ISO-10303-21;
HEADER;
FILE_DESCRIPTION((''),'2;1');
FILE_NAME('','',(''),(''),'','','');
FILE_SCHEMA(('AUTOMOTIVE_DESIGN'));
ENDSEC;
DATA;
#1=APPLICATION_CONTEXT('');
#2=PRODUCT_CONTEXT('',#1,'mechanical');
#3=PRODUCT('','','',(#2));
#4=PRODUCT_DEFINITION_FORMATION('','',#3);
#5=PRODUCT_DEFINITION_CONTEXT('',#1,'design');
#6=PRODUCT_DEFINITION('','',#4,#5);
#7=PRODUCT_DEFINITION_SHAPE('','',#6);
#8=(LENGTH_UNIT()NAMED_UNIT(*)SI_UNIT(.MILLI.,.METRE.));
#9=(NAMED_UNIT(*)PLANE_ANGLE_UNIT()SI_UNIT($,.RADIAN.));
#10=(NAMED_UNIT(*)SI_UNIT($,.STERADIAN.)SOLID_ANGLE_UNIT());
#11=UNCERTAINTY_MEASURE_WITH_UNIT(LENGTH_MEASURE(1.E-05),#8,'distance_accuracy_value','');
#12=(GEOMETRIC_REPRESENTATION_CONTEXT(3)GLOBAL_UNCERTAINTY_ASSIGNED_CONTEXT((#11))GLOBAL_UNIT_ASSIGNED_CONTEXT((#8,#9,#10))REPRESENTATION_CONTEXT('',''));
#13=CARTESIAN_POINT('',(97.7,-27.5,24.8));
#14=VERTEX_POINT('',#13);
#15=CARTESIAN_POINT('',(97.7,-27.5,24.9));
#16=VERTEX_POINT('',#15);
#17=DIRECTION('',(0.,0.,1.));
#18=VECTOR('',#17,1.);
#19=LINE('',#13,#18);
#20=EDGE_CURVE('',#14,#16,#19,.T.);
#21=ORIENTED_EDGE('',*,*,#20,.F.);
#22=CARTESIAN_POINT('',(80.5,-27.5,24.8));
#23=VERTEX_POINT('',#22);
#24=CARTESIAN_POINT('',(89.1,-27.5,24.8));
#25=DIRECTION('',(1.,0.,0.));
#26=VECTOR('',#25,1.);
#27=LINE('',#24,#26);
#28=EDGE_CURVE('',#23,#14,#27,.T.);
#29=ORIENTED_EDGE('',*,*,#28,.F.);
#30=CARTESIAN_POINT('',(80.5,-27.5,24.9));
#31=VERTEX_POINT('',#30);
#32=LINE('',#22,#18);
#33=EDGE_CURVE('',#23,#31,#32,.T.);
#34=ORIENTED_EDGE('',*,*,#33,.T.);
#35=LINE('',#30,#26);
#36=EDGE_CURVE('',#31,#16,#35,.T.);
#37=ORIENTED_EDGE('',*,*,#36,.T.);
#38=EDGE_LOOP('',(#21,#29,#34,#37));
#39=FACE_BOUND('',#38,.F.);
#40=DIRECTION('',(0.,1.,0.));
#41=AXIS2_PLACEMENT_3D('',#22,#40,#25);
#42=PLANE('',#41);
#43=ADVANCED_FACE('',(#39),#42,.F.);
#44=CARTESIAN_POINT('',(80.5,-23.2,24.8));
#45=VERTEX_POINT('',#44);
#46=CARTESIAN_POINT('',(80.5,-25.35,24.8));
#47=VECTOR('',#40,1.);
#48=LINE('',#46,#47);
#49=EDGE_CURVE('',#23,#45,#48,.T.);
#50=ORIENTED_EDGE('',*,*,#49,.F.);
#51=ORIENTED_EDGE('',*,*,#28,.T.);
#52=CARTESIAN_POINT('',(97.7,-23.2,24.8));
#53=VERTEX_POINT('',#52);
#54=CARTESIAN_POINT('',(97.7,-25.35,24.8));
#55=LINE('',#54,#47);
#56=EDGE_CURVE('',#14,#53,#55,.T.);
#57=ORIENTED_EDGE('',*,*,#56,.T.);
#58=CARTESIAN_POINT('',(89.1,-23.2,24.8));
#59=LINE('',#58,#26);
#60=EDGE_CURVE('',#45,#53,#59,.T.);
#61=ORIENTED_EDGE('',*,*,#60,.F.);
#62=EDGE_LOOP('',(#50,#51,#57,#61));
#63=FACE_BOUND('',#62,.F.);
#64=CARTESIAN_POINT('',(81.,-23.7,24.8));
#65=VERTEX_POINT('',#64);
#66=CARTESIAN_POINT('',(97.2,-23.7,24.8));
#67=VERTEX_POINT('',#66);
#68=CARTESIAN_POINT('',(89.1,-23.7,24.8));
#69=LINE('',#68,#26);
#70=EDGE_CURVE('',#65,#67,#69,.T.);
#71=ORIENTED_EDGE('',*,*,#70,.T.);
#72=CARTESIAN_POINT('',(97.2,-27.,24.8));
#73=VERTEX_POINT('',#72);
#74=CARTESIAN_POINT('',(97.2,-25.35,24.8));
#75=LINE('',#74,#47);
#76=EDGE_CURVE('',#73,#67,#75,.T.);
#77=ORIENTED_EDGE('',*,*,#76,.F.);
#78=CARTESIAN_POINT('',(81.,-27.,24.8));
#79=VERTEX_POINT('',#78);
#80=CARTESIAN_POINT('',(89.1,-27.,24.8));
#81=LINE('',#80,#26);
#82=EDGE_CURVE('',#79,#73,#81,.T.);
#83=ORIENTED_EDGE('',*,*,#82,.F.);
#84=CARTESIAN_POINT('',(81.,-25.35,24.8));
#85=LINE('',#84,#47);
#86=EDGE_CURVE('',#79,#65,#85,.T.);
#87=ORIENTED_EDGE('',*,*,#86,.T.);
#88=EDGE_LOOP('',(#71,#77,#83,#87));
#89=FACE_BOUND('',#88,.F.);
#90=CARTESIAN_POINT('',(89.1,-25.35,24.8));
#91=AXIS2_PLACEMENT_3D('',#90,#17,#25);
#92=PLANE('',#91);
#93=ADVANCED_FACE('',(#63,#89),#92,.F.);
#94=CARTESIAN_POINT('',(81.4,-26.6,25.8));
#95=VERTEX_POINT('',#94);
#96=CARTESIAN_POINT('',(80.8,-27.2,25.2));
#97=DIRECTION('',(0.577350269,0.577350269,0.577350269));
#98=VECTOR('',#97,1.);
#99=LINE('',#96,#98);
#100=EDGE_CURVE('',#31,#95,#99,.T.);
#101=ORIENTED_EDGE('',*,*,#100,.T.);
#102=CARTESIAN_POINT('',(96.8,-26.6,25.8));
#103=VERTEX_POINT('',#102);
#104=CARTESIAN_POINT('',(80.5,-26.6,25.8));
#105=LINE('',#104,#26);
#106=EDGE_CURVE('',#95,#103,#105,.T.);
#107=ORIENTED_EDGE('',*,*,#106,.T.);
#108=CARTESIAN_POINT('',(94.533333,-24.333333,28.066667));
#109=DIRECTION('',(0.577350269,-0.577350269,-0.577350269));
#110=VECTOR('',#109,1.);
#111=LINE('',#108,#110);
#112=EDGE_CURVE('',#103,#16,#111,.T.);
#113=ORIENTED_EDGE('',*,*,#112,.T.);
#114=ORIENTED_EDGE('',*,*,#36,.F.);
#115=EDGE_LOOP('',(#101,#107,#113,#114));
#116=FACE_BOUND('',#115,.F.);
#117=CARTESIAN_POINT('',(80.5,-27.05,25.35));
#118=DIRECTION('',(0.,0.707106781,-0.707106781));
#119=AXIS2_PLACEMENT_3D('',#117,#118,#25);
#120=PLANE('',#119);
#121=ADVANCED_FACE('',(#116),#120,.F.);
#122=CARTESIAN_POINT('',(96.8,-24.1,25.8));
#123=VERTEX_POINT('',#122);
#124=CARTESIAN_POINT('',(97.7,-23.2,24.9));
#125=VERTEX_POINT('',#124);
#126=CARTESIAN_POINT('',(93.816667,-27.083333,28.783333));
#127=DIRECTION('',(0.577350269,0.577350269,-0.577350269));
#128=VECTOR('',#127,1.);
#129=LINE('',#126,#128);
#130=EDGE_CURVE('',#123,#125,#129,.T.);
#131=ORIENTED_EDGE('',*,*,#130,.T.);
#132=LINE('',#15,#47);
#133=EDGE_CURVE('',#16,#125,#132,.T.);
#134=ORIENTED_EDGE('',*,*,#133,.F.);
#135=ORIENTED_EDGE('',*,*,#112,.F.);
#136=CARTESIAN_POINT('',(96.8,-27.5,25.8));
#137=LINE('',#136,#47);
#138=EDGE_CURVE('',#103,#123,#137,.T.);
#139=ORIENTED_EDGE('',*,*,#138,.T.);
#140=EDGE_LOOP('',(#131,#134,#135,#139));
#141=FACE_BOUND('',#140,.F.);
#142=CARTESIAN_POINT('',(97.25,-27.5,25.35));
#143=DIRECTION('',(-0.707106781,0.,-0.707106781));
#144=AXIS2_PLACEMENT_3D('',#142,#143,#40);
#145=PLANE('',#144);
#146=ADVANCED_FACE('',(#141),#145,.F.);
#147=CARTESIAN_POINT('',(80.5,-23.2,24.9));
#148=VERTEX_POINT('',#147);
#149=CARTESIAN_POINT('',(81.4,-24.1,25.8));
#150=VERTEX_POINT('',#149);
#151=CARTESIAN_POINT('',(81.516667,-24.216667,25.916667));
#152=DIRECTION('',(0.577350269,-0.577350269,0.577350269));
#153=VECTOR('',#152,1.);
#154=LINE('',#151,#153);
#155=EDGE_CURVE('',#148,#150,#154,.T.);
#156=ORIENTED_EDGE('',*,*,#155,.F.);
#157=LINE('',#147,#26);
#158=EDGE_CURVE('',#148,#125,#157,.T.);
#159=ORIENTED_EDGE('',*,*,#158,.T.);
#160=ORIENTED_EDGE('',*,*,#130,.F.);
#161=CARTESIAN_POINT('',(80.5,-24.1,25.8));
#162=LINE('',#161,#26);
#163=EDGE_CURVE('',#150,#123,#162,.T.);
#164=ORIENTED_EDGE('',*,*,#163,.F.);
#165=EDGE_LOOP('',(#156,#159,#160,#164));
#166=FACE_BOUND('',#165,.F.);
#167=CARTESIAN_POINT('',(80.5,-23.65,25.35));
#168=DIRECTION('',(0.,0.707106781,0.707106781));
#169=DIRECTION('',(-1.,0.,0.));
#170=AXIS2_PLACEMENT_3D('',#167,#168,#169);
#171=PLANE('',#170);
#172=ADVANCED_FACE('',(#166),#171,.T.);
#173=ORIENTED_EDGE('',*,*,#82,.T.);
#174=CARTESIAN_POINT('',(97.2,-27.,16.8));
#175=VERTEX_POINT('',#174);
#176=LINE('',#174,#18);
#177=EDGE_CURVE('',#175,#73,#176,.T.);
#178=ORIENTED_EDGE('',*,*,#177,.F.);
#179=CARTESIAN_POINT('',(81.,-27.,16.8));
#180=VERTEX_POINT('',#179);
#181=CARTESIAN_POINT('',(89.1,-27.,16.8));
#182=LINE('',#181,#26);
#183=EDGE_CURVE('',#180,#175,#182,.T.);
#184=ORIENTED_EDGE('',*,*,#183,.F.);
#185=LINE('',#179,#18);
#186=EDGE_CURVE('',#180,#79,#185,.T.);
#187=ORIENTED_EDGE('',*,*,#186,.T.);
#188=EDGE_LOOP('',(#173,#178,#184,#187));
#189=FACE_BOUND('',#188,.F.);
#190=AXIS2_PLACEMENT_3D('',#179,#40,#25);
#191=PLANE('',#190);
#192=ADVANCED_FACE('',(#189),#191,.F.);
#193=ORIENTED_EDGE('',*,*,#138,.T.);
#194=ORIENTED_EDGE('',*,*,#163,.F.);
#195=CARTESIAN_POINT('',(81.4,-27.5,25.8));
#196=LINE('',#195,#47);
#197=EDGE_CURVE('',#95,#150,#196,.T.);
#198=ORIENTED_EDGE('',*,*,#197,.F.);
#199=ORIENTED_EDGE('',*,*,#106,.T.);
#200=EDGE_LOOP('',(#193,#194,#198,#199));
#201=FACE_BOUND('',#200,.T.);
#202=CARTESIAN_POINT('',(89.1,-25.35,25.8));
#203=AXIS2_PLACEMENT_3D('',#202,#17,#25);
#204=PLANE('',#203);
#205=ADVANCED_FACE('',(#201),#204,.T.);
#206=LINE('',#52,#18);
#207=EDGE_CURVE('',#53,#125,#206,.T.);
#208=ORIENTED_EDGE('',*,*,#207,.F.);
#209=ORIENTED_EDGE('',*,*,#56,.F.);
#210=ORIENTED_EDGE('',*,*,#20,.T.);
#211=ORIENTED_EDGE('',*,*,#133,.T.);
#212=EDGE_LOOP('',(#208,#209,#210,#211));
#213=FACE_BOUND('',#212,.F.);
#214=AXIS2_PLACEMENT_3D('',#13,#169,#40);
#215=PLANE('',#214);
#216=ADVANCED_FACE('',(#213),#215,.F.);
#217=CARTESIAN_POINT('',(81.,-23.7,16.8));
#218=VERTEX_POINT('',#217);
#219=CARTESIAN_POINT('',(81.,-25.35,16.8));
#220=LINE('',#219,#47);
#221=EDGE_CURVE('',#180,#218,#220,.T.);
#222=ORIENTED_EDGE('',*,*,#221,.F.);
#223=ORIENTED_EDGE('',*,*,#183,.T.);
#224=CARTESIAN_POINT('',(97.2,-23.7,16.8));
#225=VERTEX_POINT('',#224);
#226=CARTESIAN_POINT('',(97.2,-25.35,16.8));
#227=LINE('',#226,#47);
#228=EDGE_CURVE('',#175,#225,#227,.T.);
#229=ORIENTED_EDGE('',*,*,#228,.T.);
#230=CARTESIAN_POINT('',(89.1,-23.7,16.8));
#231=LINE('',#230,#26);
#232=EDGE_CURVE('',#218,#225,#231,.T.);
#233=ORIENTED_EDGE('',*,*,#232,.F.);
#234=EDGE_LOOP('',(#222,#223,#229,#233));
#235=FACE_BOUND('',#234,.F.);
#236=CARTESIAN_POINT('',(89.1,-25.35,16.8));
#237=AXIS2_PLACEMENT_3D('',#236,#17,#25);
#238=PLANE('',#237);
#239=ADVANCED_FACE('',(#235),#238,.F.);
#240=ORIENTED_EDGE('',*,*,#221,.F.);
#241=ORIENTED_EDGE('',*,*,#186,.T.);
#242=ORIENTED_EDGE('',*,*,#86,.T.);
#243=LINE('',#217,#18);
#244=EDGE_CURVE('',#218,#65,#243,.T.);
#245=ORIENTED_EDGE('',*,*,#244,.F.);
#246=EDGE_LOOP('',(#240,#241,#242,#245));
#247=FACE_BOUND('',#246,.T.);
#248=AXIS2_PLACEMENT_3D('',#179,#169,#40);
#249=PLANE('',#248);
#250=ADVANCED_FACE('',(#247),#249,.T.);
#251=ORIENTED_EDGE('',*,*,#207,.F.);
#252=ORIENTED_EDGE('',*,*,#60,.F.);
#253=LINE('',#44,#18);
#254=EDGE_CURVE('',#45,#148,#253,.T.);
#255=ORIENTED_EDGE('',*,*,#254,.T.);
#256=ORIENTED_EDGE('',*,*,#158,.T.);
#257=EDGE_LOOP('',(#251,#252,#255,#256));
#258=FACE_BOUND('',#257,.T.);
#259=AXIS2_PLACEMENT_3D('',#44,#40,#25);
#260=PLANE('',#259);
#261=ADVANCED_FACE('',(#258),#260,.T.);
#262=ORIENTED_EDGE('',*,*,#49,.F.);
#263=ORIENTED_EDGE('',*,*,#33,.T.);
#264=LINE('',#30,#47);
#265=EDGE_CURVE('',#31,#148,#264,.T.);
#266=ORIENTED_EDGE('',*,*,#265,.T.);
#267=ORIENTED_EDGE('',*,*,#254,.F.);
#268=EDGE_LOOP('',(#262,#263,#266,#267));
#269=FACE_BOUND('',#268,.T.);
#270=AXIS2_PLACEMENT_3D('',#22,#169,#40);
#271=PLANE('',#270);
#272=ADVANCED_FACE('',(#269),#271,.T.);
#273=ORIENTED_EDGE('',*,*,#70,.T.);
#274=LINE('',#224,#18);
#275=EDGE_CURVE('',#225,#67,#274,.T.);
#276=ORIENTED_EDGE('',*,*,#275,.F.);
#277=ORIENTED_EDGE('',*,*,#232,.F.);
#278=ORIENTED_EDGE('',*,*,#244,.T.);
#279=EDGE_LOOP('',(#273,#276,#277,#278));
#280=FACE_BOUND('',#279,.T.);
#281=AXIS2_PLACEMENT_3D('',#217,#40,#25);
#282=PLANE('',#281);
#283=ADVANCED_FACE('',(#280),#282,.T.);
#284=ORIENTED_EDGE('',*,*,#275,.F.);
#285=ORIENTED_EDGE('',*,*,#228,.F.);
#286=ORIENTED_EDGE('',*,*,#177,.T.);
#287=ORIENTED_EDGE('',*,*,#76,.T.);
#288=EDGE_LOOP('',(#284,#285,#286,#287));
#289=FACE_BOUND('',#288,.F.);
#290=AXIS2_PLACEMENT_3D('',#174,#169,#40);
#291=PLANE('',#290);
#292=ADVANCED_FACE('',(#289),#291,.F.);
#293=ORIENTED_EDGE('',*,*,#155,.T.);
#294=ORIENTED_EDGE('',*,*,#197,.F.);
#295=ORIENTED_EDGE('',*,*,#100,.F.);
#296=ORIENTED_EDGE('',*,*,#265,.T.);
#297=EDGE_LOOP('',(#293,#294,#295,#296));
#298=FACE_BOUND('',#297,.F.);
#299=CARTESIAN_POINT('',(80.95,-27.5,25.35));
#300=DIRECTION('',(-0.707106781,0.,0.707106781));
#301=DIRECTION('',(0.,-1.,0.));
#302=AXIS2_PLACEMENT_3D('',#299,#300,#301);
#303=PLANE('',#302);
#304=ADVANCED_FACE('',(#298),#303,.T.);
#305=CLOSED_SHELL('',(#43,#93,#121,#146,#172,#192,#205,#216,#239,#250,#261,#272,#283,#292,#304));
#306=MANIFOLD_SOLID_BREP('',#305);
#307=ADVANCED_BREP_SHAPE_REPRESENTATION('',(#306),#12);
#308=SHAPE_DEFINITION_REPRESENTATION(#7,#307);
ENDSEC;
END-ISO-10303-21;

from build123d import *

# Parameters (mm, degrees)
BOX017_W        = 17.2
BOX017_H        = 4.3
BOX017_DEPTH    = 1
BOX016_W        = 16.2
BOX016_H        = 3.3
BOX016_DEPTH    = 8
CHAMFER_SIZE    = 0.9
CHAMFER001_SIZE = 0.9


with BuildPart() as tapa_puerta001:
    # Box017 → Box017 (new body)
    with BuildSketch(Plane(origin=(80.5, -27.5, 22.8), x_dir=(1, 0, 0), z_dir=(0, 0, 1))):
        with Locations((8.6, 2.15)):
            Rectangle(BOX017_W, BOX017_H)
    extrude(amount=BOX017_DEPTH)


with BuildPart() as tapa_puerta:
    # Box016 → Box016 (new body)
    with BuildSketch(Plane(origin=(81, -27, 14.8), x_dir=(1, 0, 0), z_dir=(0, 0, 1))):
        with Locations((8.1, 1.65)):
            Rectangle(BOX016_W, BOX016_H)
    extrude(amount=BOX016_DEPTH)

    # Fusion006: union tapa_puerta001
    add(tapa_puerta001.part)

    # Chamfer
    chamfer_edges = [tapa_puerta.edges().sort_by_distance(p)[0] for p in [
        (89.1, -23.2, 23.8),
    ]]
    chamfer(chamfer_edges, length=CHAMFER_SIZE)

    # Chamfer001
    chamfer001_edges = [tapa_puerta.edges().sort_by_distance(p)[0] for p in [
        (80.5, -25.8, 23.8),
        (89.1, -27.5, 23.8),
        (97.7, -25.8, 23.8),
    ]]
    chamfer(chamfer001_edges, length=CHAMFER001_SIZE)


with BuildPart() as tapa_puerta_1:
    # Chamfer001 placement: moved
    add(tapa_puerta.part.moved(Location((0, 0, 2))))


solid = tapa_puerta_1.part
